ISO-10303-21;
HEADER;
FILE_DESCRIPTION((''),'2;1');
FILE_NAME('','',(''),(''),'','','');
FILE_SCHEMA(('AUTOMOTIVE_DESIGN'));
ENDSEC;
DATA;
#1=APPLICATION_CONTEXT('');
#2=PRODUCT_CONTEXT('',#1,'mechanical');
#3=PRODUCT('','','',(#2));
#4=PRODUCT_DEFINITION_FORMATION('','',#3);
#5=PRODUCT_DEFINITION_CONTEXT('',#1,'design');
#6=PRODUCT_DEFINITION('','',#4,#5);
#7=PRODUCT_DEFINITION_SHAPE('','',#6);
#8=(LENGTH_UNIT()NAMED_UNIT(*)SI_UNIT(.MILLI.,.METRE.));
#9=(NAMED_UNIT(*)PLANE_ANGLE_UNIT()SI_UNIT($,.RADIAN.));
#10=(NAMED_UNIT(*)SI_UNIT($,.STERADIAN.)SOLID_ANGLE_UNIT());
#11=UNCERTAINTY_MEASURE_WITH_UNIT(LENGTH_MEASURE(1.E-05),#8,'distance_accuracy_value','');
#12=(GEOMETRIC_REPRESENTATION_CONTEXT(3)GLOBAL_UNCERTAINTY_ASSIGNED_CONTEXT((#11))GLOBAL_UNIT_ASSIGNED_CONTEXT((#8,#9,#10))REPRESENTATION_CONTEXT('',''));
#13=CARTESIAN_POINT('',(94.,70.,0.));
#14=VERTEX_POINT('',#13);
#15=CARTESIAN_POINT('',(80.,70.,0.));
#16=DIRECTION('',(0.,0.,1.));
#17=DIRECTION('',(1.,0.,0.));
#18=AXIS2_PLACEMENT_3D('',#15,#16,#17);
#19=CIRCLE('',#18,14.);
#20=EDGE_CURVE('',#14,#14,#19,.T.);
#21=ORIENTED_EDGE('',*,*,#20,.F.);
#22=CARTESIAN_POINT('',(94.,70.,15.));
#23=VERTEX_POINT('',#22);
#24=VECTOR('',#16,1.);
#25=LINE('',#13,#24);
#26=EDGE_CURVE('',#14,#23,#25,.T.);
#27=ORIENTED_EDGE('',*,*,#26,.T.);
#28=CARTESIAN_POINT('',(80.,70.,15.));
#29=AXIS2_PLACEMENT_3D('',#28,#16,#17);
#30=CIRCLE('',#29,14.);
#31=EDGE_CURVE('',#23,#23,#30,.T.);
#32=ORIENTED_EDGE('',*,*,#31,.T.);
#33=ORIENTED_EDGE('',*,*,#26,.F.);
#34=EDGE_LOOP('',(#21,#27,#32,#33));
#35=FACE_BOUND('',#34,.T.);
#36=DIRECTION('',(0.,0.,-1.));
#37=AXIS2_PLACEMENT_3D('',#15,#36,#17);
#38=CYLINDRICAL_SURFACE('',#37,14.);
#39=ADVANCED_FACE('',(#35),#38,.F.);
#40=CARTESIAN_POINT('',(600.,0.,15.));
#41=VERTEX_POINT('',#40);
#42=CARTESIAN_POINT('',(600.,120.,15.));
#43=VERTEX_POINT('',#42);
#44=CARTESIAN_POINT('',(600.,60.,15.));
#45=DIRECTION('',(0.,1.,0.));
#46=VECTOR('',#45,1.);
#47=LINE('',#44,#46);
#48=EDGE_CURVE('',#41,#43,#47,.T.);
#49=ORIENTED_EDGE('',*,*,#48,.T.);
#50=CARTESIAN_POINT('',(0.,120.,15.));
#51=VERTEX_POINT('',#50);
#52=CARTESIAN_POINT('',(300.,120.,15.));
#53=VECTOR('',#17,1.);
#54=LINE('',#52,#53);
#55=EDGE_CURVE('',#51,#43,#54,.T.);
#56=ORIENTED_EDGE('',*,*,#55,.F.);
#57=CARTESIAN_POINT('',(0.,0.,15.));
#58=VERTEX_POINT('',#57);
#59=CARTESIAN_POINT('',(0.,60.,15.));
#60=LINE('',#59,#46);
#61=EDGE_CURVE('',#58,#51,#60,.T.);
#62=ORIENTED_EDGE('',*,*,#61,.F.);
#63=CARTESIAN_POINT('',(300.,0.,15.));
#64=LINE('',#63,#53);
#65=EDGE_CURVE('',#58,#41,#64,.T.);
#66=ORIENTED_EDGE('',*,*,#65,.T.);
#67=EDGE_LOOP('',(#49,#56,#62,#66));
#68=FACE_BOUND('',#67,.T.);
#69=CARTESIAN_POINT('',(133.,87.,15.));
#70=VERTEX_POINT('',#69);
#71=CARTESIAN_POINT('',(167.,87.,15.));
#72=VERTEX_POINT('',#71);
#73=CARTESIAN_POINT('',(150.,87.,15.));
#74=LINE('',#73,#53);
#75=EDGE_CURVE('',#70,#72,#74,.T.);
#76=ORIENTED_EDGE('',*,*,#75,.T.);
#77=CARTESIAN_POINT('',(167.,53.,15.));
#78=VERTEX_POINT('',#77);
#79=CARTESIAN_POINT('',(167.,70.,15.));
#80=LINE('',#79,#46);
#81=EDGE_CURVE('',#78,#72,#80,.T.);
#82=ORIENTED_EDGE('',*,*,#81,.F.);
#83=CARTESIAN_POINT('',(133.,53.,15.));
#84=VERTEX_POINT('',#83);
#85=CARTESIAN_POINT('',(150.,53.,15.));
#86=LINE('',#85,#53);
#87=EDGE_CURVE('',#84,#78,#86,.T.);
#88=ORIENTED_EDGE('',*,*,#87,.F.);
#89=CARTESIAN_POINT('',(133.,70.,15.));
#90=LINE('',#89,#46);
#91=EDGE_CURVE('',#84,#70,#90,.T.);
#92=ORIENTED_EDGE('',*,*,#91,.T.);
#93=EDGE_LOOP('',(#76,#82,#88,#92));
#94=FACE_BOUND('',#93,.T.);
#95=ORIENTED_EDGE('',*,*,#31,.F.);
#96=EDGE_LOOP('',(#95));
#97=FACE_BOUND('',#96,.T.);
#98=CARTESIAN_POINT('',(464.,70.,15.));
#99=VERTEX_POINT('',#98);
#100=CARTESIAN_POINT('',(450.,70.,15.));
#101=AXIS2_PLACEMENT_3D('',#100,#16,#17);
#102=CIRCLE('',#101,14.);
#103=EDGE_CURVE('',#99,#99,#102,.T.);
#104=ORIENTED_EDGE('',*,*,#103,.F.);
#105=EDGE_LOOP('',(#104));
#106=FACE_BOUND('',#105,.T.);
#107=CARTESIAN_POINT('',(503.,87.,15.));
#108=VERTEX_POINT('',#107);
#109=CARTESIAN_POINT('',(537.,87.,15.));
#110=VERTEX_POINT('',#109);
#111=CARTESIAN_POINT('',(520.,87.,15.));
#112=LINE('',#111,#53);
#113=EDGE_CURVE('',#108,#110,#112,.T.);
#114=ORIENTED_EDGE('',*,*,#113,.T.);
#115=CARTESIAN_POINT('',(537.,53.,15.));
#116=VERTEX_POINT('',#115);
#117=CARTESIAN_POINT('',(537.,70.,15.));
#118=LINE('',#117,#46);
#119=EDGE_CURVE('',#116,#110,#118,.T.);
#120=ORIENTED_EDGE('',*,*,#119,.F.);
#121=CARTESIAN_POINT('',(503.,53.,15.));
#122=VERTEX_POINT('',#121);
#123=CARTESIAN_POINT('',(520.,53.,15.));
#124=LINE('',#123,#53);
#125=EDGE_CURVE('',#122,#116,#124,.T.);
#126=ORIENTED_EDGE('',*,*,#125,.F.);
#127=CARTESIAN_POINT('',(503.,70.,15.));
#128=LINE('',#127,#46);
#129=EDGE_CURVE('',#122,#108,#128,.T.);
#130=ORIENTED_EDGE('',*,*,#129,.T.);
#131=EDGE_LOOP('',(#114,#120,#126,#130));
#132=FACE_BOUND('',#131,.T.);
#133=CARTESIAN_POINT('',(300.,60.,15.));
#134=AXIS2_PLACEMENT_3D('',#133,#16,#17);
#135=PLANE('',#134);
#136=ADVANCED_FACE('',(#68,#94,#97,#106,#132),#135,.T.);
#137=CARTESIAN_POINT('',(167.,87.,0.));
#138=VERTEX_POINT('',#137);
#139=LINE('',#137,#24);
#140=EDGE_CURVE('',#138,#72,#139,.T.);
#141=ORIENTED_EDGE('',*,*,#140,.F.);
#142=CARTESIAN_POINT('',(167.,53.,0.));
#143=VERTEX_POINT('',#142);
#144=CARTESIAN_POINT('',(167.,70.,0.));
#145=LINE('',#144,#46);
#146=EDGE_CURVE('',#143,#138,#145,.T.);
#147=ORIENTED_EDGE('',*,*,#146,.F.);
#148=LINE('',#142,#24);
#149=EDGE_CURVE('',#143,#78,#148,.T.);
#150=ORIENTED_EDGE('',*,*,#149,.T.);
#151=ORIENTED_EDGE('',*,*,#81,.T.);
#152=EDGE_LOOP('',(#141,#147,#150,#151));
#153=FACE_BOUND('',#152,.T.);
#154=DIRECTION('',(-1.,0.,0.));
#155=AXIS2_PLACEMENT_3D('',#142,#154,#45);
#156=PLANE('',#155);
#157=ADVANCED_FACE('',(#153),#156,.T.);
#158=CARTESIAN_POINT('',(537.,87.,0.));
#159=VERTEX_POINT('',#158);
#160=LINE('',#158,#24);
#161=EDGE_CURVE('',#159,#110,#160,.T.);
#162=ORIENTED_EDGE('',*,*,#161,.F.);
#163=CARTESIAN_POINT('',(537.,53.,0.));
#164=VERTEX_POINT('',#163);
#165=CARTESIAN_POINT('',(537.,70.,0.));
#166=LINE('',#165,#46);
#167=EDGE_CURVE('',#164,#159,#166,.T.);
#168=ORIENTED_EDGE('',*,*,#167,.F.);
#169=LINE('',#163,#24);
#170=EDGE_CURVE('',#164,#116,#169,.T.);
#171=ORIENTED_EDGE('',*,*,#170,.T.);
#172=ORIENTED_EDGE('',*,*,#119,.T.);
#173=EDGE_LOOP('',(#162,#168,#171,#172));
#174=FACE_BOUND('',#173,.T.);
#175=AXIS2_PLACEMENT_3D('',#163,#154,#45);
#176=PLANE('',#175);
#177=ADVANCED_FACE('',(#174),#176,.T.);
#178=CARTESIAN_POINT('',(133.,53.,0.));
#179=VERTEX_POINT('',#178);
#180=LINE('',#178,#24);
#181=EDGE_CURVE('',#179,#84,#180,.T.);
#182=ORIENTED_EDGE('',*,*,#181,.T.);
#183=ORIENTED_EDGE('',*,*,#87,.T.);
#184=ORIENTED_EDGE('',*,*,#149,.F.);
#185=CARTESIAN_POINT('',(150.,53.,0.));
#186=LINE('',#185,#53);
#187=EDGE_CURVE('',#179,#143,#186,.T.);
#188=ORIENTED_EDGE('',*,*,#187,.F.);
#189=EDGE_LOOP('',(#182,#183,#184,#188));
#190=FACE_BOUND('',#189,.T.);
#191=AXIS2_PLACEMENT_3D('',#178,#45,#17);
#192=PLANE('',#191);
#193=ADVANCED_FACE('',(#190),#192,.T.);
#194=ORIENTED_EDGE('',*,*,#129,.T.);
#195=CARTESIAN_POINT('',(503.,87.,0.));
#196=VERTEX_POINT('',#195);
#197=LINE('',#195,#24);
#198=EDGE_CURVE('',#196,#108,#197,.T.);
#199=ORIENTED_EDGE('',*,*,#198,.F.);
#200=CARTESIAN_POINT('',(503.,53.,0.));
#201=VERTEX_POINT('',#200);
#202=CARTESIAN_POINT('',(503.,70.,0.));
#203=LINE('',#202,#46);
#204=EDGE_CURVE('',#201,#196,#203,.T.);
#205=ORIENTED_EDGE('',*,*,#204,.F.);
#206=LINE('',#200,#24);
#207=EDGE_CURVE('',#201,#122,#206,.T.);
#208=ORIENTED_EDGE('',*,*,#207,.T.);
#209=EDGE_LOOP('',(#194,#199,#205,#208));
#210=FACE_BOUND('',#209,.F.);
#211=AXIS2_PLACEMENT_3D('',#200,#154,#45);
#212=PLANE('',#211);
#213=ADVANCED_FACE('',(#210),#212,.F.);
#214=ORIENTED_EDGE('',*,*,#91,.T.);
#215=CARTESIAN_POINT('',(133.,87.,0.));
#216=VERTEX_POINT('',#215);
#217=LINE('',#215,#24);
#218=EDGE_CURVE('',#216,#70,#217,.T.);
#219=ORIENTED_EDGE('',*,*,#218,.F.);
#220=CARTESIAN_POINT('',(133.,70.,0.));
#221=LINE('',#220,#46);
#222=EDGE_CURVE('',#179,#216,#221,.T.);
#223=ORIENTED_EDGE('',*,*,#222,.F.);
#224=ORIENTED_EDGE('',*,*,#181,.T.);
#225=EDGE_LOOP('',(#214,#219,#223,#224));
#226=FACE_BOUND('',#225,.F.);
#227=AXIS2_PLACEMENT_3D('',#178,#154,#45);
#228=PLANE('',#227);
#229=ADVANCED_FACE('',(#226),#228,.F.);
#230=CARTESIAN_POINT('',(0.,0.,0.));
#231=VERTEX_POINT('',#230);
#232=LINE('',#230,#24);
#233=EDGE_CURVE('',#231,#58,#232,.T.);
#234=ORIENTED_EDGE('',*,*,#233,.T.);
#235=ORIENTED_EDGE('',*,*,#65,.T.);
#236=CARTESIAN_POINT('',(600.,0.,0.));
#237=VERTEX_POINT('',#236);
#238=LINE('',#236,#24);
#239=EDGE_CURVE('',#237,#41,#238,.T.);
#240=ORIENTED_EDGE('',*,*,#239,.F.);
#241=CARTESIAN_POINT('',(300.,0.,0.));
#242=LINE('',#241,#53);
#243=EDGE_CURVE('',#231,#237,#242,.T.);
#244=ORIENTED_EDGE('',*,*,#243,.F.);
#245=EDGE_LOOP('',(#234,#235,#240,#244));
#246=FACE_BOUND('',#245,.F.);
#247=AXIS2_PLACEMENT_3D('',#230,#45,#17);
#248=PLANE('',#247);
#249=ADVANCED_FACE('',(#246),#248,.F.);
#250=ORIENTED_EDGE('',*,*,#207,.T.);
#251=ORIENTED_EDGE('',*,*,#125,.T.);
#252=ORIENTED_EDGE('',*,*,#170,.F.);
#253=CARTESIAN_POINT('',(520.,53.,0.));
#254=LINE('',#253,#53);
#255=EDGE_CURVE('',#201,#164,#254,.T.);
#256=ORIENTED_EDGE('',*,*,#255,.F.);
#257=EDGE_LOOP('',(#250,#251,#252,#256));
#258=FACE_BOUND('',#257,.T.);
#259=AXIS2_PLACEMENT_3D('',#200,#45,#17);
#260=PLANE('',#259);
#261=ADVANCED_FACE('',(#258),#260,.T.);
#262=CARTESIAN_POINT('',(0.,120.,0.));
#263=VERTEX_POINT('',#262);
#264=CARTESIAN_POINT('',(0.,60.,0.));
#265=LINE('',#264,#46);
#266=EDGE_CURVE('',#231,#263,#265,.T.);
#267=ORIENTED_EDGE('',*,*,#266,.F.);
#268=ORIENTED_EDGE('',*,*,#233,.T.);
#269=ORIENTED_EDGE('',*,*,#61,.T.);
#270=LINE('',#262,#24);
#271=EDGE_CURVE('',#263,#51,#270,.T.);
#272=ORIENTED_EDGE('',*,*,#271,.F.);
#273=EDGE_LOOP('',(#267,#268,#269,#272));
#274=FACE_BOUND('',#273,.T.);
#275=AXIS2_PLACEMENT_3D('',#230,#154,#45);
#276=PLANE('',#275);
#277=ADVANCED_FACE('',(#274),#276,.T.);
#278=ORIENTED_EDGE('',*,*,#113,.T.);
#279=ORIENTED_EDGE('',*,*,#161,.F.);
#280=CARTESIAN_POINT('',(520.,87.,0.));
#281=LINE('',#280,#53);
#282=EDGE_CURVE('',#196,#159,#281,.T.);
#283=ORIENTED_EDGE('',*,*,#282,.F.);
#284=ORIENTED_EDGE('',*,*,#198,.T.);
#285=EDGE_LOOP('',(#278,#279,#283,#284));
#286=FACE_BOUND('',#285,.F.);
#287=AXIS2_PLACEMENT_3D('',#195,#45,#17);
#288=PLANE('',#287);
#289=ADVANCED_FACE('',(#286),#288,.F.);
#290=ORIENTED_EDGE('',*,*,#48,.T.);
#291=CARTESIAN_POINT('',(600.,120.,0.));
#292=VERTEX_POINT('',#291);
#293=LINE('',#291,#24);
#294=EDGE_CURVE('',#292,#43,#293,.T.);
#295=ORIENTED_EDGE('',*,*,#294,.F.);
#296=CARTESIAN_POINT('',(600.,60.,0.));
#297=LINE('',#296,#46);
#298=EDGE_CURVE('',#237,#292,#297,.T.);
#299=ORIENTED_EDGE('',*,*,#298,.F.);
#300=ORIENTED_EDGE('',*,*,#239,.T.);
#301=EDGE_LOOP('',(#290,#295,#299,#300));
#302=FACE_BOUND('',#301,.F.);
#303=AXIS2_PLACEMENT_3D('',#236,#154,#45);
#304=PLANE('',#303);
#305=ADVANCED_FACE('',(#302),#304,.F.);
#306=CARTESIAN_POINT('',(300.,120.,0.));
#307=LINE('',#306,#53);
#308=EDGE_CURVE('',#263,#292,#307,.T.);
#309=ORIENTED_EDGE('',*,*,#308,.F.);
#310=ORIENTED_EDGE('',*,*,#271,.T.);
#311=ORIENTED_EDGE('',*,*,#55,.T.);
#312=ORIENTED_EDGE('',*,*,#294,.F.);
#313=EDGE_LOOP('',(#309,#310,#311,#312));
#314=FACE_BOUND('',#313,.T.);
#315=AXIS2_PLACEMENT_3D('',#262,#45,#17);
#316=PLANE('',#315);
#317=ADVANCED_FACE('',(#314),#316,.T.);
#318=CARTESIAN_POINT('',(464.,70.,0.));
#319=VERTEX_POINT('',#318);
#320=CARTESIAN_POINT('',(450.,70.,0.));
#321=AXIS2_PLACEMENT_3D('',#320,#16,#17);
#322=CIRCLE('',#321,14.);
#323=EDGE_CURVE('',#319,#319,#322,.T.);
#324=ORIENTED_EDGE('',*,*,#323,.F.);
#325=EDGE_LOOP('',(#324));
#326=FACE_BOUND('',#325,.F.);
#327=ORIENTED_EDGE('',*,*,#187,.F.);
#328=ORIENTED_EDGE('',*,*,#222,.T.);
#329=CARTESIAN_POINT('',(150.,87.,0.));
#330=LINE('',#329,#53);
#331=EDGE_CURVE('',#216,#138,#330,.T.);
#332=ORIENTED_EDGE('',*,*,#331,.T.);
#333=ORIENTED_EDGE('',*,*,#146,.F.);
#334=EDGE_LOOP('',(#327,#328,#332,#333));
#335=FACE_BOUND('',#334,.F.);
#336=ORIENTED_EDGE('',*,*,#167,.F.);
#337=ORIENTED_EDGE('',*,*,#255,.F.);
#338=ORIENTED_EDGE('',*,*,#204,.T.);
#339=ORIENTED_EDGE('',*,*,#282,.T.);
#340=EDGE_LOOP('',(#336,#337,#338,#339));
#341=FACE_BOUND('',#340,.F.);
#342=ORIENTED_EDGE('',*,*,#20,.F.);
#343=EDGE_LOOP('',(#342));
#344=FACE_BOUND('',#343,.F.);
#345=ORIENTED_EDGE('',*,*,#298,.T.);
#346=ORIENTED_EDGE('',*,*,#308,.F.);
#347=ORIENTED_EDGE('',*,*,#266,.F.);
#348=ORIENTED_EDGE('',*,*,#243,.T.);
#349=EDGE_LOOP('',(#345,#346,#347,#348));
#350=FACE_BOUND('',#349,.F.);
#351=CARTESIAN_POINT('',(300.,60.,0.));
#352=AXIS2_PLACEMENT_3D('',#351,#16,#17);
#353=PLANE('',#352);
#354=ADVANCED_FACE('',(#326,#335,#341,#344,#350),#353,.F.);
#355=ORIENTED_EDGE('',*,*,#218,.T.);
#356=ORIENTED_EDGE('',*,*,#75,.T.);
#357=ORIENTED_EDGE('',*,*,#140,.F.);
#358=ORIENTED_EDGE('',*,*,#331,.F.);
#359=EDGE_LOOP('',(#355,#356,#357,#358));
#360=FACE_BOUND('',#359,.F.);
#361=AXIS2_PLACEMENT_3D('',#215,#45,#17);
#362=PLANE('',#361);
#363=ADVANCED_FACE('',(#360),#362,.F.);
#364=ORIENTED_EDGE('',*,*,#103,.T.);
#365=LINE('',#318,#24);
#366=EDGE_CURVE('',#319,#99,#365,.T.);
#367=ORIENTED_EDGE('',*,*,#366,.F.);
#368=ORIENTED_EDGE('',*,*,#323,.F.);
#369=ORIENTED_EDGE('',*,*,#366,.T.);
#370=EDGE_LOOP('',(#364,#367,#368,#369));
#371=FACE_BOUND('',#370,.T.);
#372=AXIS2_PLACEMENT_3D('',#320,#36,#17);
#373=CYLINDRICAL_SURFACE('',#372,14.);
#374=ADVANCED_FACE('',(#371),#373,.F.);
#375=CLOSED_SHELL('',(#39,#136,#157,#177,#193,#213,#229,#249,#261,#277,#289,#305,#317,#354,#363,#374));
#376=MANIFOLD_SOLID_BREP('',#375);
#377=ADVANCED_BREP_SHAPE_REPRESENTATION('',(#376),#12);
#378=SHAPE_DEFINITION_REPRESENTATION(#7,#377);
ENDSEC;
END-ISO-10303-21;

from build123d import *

# Parameters (mm, degrees)
SKETCH_W   = 600
SKETCH_H   = 120
SKETCH_R   = 14
SKETCH_W_2 = 34
SKETCH_H_2 = 34
PAD_DEPTH  = 15


with BuildPart() as part:
    # Sketch → Pad (new body)
    with BuildSketch(Plane.XY):
        with Locations((300, 60)):
            Rectangle(SKETCH_W, SKETCH_H)
        with Locations((80, 70)):
            Circle(SKETCH_R, mode=Mode.SUBTRACT)
        with Locations((450, 70)):
            Circle(SKETCH_R, mode=Mode.SUBTRACT)
        with Locations((150, 70)):
            Rectangle(SKETCH_W_2, SKETCH_H_2, mode=Mode.SUBTRACT)
        with Locations((520, 70)):
            Rectangle(SKETCH_W_2, SKETCH_H_2, mode=Mode.SUBTRACT)
    extrude(amount=PAD_DEPTH)


solid = part.part
